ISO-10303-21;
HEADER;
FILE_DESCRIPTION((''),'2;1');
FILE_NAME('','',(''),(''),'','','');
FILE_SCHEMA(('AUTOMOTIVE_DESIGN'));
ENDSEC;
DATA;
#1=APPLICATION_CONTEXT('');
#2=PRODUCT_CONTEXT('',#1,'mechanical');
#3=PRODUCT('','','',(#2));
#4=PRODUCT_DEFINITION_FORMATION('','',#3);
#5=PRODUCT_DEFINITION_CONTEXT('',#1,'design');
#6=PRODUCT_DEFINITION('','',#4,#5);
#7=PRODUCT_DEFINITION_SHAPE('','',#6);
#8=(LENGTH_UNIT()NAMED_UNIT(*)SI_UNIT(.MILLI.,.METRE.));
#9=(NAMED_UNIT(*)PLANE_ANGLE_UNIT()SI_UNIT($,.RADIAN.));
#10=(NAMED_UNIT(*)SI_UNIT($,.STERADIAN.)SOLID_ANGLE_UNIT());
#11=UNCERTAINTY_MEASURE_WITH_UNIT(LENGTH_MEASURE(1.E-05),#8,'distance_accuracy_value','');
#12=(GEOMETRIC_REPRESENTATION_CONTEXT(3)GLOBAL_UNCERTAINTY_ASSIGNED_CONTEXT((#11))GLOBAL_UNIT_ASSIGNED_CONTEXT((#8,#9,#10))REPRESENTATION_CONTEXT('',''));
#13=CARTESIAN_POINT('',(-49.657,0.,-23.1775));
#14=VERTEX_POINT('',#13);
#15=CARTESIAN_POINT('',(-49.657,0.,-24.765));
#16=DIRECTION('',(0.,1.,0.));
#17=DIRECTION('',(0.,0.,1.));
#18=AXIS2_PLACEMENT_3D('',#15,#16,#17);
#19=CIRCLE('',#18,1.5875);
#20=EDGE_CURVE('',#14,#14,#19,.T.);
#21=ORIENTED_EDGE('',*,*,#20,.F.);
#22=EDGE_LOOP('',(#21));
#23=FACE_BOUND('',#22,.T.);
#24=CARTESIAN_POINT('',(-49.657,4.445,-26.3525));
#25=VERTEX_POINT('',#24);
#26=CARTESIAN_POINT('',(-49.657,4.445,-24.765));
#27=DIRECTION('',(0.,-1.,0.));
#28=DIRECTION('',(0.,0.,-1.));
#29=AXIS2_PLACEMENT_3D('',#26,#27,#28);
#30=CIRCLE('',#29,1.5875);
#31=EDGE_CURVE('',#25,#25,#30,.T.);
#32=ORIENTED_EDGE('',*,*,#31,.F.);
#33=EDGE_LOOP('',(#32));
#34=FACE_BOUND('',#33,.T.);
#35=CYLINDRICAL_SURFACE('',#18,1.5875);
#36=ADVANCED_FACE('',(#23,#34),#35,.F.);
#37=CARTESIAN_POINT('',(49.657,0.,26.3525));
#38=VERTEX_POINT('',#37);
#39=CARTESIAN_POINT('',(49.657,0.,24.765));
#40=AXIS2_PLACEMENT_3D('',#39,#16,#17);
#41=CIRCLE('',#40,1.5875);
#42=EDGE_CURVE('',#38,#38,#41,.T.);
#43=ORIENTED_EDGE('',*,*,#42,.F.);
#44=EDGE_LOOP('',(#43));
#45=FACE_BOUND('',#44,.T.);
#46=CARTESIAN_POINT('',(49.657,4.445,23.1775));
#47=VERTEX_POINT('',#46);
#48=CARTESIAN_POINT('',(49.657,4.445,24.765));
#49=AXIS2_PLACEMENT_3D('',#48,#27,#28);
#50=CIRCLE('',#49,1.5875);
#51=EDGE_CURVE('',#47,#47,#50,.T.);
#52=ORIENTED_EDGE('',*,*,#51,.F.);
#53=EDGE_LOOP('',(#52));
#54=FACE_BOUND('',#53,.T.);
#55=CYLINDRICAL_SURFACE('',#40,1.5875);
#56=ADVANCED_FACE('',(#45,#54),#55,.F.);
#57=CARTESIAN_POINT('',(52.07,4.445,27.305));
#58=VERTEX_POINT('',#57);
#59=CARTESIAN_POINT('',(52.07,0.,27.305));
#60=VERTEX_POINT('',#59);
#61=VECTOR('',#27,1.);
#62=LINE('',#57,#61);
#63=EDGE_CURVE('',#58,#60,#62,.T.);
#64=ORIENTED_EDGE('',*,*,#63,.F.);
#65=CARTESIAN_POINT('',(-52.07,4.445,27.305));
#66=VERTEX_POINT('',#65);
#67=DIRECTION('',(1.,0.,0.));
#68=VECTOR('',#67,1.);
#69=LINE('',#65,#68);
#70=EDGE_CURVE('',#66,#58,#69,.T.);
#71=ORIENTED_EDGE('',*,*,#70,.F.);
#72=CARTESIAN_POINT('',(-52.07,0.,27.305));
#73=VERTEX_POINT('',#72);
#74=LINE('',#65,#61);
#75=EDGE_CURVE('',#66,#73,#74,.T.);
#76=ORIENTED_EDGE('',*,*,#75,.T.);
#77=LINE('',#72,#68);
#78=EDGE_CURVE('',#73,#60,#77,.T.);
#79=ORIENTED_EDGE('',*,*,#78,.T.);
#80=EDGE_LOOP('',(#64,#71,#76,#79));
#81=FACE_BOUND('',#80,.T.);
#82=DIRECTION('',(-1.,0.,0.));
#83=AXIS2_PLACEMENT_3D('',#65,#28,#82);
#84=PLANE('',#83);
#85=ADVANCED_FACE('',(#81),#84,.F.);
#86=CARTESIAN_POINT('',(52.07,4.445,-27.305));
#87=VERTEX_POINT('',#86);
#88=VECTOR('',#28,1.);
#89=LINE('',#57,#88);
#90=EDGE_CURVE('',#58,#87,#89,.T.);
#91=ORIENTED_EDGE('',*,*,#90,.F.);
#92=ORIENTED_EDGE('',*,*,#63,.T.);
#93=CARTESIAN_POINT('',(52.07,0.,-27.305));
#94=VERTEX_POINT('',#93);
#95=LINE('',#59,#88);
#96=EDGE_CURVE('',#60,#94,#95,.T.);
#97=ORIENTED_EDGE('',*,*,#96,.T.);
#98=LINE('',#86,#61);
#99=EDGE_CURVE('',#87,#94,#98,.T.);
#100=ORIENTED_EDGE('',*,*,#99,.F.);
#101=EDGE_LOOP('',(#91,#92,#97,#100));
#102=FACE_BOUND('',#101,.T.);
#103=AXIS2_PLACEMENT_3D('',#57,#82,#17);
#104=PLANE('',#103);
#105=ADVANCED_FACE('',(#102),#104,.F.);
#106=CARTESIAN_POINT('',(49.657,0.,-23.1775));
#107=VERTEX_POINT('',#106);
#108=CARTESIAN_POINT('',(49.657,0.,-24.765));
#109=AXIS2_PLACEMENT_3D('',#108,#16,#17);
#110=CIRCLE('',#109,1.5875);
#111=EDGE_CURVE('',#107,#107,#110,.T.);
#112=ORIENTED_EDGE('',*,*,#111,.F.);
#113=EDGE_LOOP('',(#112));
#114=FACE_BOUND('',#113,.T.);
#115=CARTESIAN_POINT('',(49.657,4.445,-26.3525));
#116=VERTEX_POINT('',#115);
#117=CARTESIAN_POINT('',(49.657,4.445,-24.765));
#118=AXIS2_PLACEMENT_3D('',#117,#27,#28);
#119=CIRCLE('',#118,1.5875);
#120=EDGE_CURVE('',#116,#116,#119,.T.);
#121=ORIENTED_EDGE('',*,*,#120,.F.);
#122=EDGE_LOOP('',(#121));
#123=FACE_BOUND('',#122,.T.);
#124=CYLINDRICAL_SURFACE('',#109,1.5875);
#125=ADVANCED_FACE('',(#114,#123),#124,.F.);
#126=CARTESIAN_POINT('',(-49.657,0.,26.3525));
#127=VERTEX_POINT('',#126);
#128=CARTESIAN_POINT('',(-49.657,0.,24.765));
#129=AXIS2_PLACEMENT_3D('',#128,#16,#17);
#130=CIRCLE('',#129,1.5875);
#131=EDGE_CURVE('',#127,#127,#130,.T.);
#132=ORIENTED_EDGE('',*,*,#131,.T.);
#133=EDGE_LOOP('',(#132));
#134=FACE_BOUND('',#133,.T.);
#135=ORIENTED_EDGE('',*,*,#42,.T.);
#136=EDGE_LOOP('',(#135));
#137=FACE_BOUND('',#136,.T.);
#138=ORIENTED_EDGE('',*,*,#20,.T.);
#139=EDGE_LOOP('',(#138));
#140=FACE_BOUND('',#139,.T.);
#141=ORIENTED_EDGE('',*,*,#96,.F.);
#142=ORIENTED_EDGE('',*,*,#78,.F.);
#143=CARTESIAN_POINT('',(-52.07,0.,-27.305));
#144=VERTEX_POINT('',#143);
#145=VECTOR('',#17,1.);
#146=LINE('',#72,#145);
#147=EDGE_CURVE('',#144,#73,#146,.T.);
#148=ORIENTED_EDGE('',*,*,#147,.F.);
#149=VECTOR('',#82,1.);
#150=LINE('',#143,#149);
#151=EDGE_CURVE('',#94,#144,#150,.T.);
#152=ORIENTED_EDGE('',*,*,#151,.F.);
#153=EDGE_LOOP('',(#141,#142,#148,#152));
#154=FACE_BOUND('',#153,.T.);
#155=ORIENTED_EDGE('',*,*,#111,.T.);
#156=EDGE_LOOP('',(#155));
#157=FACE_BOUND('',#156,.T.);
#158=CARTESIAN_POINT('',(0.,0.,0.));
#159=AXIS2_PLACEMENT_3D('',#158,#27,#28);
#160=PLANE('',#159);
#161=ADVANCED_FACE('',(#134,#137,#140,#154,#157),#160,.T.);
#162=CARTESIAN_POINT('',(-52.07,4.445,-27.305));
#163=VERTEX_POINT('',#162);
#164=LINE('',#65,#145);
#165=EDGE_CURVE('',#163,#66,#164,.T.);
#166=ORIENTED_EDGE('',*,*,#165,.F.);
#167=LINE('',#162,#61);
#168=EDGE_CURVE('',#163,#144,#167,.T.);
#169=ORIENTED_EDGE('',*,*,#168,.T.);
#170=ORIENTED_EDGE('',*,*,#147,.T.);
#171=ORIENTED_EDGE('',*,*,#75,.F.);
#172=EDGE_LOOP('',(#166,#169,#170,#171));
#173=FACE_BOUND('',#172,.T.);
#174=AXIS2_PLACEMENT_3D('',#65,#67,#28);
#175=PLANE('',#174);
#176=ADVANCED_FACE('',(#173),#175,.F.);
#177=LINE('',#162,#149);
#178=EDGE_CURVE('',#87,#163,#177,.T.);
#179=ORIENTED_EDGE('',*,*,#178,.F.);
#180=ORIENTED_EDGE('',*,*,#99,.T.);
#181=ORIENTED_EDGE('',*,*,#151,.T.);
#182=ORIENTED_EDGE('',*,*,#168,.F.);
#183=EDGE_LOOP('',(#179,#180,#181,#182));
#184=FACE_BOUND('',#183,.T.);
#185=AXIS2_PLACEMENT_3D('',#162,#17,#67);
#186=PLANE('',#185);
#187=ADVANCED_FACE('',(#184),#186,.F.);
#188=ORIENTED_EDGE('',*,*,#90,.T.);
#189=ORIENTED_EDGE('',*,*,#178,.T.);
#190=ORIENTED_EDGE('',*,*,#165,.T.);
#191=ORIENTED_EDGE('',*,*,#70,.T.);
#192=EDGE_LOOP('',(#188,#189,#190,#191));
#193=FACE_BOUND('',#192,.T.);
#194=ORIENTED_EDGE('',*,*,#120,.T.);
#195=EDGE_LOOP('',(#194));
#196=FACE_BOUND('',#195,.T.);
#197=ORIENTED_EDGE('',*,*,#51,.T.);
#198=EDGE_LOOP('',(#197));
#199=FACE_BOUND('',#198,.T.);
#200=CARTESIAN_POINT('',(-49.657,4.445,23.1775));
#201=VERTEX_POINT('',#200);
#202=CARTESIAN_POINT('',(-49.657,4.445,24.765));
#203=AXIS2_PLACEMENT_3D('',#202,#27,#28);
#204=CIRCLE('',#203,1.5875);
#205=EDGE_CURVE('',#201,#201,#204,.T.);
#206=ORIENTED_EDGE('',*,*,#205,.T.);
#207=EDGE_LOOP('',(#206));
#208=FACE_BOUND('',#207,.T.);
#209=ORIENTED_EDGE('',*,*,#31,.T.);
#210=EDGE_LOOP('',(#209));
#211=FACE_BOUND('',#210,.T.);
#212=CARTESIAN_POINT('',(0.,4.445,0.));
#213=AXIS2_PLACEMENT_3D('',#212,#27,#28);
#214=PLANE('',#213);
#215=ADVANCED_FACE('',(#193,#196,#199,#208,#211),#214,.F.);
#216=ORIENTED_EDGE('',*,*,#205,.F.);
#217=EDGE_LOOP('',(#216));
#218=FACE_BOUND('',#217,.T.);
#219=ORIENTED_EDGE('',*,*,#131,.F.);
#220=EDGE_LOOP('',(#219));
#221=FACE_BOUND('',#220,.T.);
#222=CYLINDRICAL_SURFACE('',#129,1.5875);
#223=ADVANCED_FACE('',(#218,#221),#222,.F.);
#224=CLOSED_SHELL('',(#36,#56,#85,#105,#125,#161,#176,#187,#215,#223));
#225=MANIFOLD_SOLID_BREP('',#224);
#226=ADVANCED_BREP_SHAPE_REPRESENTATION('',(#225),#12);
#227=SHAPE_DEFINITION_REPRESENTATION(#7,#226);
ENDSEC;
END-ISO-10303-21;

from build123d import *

# Parameters (mm, degrees)
SKETCH2_W               = 104.14
SKETCH2_H               = 54.61
BOSS_EXTRUDE1_DEPTH     = 4.445
CUT_EXTRUDE1_DEPTH      = 59.962750529
CUT_EXTRUDE1_DEPTH_BACK = 59.962750529
SKETCH3_R               = 1.5875


with BuildPart() as part:
    # Sketch2 → Boss-Extrude1 (new body)
    with BuildSketch(Plane(origin=(0, 0, 0), x_dir=(1, 0, 0), z_dir=(0, 1, 0))):
        Rectangle(SKETCH2_W, SKETCH2_H)
    extrude(amount=BOSS_EXTRUDE1_DEPTH)

    # Sketch3 → Cut-Extrude1 (cut, two sides: drawn at the far end of the back side and taken through both)
    with BuildSketch(Plane(origin=(0, 4.445, 0), x_dir=(1, 0, 0), z_dir=(0, 1, 0)).offset(-CUT_EXTRUDE1_DEPTH_BACK)):
        with Locations(Location((-49.657, 24.765, 0), (0, 0, 270))):
            Circle(SKETCH3_R)
        with Locations(Location((49.657, 24.765, 0), (0, 0, 270))):
            Circle(SKETCH3_R)
        with Locations(Location((49.657, -24.765, 0), (0, 0, 270))):
            Circle(SKETCH3_R)
        with Locations(Location((-49.657, -24.765, 0), (0, 0, 270))):
            Circle(SKETCH3_R)
    extrude(amount=CUT_EXTRUDE1_DEPTH + CUT_EXTRUDE1_DEPTH_BACK, mode=Mode.SUBTRACT)


solid = part.part
